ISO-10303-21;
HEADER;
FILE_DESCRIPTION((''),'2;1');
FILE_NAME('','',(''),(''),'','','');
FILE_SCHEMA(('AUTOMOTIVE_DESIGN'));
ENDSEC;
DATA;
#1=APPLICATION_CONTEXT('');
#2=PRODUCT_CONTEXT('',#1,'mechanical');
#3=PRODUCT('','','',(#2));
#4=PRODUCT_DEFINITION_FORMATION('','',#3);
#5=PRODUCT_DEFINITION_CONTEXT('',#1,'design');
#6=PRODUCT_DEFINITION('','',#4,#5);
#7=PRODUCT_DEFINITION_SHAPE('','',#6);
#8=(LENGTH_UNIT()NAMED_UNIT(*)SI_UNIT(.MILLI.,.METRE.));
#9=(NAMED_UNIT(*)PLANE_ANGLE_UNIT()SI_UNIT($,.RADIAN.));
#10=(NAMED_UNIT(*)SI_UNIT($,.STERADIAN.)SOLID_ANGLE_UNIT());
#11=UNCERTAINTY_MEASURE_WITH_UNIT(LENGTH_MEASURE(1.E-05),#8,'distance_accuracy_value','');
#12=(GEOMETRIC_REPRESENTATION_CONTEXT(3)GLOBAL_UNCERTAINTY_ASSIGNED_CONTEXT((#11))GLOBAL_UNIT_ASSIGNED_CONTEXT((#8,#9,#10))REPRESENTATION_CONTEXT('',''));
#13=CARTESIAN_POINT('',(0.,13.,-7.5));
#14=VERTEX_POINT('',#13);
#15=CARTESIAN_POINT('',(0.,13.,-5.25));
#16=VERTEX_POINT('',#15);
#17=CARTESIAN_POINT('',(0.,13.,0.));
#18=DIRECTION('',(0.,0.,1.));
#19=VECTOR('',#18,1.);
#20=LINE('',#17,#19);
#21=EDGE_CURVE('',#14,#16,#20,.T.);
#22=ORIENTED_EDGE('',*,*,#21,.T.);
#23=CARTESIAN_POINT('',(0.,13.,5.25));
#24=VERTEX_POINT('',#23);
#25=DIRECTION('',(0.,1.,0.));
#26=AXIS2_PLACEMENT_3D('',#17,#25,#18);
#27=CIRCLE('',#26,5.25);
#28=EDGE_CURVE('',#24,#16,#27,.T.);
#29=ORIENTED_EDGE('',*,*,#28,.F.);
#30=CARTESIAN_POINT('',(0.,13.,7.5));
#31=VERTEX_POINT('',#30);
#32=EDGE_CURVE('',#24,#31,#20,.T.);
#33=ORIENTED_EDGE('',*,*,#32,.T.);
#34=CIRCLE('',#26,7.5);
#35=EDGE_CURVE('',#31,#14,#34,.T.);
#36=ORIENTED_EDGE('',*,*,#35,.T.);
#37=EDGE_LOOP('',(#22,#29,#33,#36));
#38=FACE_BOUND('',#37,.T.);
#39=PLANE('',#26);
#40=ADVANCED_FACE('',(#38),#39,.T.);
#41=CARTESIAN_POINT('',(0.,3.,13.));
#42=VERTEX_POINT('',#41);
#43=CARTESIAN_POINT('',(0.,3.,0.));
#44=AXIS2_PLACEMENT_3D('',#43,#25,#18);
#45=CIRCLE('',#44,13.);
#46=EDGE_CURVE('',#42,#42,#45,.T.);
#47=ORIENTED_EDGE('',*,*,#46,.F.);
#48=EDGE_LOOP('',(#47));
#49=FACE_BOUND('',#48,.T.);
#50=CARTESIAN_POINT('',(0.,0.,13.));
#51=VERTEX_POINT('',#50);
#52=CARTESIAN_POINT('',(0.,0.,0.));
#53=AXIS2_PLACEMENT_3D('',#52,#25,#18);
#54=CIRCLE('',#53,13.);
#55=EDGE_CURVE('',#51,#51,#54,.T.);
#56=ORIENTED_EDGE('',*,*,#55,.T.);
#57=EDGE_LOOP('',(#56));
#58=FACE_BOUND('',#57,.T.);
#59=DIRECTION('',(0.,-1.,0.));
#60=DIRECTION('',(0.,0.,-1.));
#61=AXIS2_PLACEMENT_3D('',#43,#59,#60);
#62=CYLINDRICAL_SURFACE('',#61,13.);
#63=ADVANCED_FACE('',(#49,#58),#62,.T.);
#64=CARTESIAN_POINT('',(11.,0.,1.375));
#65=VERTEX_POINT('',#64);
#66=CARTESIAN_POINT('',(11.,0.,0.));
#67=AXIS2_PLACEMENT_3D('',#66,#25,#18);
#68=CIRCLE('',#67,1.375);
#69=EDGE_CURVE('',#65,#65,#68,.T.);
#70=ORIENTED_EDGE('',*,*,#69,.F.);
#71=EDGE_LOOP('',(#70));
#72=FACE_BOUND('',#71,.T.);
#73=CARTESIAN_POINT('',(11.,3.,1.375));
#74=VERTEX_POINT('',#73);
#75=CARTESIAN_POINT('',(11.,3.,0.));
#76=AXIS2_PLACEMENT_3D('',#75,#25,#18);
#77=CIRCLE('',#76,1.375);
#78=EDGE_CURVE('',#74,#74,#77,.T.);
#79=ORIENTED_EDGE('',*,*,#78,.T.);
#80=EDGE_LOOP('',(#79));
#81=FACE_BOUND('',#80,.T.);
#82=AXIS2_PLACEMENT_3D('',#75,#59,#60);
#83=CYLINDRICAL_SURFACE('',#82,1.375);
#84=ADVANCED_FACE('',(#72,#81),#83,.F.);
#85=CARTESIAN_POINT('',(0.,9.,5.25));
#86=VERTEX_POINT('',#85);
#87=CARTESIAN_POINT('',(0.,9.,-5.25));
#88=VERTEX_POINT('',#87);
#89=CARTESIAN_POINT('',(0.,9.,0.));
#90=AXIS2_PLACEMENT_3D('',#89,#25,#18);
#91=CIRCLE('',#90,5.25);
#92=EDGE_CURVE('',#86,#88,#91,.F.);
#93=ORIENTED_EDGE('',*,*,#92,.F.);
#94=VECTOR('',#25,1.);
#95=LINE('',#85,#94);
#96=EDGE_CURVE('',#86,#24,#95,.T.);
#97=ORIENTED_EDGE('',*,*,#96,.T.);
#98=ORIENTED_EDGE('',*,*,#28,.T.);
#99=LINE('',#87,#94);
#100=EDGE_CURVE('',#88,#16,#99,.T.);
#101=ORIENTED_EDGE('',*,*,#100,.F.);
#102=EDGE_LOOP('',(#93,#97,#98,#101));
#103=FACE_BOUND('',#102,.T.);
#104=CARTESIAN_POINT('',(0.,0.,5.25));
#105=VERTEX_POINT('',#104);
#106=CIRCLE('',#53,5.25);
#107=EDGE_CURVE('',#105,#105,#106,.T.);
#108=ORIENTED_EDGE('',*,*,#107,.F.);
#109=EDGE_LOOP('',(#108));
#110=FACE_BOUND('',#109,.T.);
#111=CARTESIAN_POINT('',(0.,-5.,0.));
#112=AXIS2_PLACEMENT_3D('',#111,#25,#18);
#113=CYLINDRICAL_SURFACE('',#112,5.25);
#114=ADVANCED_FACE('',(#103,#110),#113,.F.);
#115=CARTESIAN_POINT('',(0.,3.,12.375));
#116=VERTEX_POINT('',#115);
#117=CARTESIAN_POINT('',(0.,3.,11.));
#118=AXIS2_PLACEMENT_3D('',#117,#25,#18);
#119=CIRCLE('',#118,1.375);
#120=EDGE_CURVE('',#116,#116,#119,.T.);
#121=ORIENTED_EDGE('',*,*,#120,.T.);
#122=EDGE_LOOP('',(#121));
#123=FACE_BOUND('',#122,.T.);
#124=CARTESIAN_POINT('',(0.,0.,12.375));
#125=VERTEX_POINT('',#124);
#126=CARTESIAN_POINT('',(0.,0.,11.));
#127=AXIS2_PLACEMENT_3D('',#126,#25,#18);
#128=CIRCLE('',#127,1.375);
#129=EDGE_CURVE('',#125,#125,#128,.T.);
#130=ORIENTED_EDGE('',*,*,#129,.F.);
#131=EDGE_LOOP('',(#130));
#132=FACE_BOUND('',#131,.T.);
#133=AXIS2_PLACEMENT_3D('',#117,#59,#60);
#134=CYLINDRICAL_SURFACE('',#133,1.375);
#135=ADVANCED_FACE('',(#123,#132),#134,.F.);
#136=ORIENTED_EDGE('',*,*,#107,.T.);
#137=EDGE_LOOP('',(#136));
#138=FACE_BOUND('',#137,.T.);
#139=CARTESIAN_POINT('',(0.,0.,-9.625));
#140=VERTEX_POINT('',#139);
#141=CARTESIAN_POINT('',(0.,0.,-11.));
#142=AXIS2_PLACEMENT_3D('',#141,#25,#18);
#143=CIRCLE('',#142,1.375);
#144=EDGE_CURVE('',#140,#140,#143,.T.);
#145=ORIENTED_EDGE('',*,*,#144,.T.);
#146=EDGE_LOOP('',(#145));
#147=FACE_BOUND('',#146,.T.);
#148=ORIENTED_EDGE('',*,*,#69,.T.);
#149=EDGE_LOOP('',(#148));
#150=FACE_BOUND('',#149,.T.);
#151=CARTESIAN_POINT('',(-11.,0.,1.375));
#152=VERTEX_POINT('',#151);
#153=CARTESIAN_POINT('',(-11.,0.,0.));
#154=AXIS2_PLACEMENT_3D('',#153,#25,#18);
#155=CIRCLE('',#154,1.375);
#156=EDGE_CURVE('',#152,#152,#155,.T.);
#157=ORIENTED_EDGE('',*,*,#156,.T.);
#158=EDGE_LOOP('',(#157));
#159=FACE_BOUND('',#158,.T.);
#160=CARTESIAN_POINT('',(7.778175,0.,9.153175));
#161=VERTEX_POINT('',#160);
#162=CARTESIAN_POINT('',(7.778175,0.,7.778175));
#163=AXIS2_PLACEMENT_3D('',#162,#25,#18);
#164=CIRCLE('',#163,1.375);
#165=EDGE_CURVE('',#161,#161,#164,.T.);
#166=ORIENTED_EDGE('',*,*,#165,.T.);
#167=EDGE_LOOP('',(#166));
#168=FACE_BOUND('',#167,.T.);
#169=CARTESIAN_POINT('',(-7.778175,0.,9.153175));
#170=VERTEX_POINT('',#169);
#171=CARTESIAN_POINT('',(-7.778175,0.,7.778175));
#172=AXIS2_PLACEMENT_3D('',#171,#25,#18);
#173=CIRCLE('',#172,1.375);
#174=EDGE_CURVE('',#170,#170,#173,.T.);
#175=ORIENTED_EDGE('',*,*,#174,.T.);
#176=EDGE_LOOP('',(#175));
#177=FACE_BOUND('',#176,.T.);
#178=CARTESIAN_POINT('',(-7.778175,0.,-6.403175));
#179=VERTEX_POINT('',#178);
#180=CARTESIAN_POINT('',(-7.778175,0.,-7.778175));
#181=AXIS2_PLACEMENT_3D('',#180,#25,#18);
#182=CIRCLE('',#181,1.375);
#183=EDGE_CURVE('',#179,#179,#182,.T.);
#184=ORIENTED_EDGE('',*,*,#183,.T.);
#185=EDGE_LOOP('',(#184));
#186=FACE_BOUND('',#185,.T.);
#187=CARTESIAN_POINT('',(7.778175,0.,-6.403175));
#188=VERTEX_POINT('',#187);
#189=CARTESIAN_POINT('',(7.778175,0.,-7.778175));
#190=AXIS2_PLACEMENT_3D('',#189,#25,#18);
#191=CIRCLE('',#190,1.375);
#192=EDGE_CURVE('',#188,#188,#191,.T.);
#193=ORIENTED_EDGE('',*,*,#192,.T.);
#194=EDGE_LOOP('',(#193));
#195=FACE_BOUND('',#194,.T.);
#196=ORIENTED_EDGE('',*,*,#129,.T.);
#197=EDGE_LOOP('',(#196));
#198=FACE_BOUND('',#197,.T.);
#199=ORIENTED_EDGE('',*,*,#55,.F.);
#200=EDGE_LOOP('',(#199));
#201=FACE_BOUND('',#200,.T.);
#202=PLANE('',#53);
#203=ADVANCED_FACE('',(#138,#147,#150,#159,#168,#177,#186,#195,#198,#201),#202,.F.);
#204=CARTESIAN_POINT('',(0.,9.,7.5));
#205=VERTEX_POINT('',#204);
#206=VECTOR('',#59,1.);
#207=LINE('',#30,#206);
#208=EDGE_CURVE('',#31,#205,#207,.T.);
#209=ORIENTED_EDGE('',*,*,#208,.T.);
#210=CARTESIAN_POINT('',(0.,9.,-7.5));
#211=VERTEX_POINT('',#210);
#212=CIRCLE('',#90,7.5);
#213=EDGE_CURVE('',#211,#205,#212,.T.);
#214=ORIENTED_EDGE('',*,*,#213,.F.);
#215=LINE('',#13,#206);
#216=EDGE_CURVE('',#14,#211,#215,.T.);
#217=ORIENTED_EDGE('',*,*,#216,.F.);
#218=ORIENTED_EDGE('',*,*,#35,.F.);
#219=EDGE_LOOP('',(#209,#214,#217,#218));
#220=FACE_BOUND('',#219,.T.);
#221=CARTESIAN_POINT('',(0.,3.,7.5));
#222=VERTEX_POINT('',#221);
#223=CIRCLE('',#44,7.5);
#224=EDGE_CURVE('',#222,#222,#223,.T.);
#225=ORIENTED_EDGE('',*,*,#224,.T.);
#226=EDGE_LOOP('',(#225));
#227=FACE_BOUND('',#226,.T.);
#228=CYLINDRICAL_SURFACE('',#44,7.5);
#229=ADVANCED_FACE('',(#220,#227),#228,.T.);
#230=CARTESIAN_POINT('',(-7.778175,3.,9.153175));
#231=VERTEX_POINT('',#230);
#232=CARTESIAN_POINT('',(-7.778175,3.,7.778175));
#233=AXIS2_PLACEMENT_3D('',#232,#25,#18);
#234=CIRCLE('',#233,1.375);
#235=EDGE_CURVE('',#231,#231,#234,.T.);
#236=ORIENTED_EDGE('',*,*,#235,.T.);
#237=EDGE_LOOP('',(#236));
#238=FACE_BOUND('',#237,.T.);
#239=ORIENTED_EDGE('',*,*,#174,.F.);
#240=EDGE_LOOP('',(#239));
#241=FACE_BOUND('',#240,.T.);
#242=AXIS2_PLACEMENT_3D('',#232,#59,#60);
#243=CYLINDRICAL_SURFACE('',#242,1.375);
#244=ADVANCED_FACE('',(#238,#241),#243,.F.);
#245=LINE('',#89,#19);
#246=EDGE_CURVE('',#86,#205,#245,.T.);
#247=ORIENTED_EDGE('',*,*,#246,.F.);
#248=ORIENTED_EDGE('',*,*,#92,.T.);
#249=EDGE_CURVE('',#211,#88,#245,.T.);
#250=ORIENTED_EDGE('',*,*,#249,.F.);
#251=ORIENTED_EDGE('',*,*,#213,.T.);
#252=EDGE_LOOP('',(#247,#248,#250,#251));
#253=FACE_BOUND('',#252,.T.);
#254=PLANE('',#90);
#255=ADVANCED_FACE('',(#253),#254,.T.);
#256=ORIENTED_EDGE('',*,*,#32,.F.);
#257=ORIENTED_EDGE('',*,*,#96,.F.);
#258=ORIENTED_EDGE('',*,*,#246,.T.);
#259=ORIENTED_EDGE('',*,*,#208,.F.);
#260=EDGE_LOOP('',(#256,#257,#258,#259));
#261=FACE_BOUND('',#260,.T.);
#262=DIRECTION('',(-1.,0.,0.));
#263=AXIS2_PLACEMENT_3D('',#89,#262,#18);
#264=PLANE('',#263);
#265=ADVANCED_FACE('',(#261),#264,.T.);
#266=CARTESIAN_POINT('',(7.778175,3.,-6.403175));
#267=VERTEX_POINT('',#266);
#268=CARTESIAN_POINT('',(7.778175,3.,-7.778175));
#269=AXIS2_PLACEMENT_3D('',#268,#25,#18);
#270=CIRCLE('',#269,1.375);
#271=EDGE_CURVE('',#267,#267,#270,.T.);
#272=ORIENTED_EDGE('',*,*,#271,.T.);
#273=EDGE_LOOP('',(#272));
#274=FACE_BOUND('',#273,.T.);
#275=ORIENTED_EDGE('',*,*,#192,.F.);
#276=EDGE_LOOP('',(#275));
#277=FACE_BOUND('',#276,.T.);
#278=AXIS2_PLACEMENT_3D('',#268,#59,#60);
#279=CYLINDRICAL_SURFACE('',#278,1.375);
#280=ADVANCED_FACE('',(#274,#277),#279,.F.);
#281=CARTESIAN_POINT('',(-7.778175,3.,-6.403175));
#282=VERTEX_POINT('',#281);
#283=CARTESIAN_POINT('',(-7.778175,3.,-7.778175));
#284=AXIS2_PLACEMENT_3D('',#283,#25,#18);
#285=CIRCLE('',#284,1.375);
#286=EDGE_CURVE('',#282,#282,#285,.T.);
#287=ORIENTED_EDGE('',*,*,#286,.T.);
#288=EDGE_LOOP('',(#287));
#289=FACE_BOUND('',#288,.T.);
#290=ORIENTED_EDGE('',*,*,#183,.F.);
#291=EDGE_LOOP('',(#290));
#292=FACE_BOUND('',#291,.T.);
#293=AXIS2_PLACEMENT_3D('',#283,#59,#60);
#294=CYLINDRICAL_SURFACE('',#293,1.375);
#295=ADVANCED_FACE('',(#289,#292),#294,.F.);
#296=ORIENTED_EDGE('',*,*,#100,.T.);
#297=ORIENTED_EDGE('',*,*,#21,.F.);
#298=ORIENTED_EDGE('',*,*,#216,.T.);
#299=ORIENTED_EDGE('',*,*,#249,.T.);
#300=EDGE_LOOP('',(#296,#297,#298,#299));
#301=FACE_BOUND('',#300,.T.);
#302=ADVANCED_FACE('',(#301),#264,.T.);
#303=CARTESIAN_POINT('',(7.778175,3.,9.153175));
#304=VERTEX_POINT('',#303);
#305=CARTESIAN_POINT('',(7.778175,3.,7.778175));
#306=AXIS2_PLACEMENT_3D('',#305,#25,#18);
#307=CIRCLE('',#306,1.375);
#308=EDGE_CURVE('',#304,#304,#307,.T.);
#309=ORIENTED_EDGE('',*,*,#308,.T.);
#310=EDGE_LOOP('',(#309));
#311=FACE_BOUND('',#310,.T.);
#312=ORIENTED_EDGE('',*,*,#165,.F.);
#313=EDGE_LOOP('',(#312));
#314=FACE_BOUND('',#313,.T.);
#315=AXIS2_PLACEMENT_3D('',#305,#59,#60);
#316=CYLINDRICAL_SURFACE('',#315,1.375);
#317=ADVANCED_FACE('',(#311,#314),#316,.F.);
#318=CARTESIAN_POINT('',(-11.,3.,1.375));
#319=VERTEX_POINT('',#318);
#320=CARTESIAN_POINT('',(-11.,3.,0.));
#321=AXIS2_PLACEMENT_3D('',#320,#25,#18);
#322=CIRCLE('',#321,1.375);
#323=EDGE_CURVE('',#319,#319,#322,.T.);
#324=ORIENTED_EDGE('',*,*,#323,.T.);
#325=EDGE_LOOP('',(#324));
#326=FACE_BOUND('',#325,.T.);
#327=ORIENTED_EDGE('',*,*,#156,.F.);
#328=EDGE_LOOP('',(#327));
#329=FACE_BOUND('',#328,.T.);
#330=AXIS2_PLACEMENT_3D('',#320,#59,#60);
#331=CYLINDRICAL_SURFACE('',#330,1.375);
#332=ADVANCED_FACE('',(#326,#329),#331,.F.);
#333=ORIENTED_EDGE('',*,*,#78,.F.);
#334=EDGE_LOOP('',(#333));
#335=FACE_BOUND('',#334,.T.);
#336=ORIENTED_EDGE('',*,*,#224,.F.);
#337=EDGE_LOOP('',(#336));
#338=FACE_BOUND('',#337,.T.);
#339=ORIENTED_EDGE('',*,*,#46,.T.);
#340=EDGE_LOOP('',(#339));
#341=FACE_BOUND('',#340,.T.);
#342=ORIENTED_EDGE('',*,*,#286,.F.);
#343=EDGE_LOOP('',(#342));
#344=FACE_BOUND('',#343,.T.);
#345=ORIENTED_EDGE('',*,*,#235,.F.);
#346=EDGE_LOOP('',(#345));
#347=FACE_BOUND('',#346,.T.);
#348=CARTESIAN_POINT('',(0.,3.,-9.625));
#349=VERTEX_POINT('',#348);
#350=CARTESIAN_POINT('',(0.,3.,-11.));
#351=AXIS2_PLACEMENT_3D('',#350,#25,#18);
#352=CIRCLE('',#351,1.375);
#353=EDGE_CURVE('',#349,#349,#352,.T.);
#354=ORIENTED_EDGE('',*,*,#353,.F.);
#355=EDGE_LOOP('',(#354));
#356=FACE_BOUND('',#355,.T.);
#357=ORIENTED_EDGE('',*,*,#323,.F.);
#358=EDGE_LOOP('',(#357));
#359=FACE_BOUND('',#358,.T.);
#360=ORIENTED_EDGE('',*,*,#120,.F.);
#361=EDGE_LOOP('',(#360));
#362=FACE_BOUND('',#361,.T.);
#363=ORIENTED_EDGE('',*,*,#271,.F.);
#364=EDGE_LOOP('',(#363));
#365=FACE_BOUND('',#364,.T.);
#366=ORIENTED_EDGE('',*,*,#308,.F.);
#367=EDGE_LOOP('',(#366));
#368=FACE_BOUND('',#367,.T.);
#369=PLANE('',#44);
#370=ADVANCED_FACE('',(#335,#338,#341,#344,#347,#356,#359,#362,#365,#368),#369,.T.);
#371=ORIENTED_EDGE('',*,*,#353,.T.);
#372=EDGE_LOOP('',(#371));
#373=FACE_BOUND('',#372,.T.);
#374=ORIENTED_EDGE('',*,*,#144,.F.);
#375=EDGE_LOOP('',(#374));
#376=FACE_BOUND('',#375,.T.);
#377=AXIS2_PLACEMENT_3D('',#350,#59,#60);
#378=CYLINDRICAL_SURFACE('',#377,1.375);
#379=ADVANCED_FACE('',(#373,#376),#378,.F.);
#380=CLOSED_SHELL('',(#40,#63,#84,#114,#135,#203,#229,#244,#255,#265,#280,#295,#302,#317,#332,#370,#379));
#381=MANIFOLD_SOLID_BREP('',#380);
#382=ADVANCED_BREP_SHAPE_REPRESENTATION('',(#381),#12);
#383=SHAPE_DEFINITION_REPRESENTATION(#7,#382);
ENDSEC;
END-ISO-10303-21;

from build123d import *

# Parameters (mm, degrees)
SKETCH1_R           = 13
SKETCH1_R_2         = 1.375
SKETCH1_R_3         = 5
BOSS_EXTRUDE1_DEPTH = 3
SKETCH2_R           = 7.5
SKETCH2_R_2         = 5
BOSS_EXTRUDE2_DEPTH = 10
SKETCH3_R           = 5.25
CUT_EXTRUDE1_DEPTH  = 18
CUT_EXTRUDE2_DEPTH  = 4
CUT_EXTRUDE3_START  = -10
SKETCH5_R           = 7.5
SKETCH5_R_2         = 7.45
CUT_EXTRUDE3_DEPTH  = 10
SKETCH6_R           = 7.5
SKETCH6_R_2         = 5.25
BOSS_EXTRUDE3_DEPTH = 6
BOSS_EXTRUDE4_DEPTH = 4


with BuildPart() as part:
    # Sketch1 → Boss-Extrude1 (new body)
    with BuildSketch(Plane(origin=(0, 0, 0), x_dir=(1, 0, 0), z_dir=(0, 1, 0))):
        with Locations(Location((0, 0, 0), (0, 0, 270))):
            Circle(SKETCH1_R)
        with Locations(Location((0, 11, 0), (0, 0, 270))):
            Circle(SKETCH1_R_2, mode=Mode.SUBTRACT)
        with Locations(Location((7.778174593, 7.778174593, 0), (0, 0, 270))):
            Circle(SKETCH1_R_2, mode=Mode.SUBTRACT)
        with Locations(Location((11, 0, 0), (0, 0, 270))):
            Circle(SKETCH1_R_2, mode=Mode.SUBTRACT)
        with Locations(Location((7.778174593, -7.778174593, 0), (0, 0, 270))):
            Circle(SKETCH1_R_2, mode=Mode.SUBTRACT)
        with Locations(Location((0, -11, 0), (0, 0, 270))):
            Circle(SKETCH1_R_2, mode=Mode.SUBTRACT)
        with Locations(Location((-7.778174593, -7.778174593, 0), (0, 0, 270))):
            Circle(SKETCH1_R_2, mode=Mode.SUBTRACT)
        with Locations(Location((-11, 0, 0), (0, 0, 270))):
            Circle(SKETCH1_R_2, mode=Mode.SUBTRACT)
        with Locations(Location((-7.778174593, 7.778174593, 0), (0, 0, 270))):
            Circle(SKETCH1_R_2, mode=Mode.SUBTRACT)
        with Locations(Location((0, 0, 0), (0, 0, 270))):
            Circle(SKETCH1_R_3, mode=Mode.SUBTRACT)
    extrude(amount=BOSS_EXTRUDE1_DEPTH)

    # Sketch2 → Boss-Extrude2 (add)
    with BuildSketch(Plane(origin=(0, 3, 0), x_dir=(1, 0, 0), z_dir=(0, 1, 0))):
        with Locations(Location((0, 0, 0), (0, 0, 270))):
            Circle(SKETCH2_R)
        with Locations(Location((0, 0, 0), (0, 0, 270))):
            Circle(SKETCH2_R_2, mode=Mode.SUBTRACT)
    extrude(amount=BOSS_EXTRUDE2_DEPTH)

    # Sketch3 → Cut-Extrude1 (cut)
    with BuildSketch(Plane(origin=(0, 13, 0), x_dir=(1, 0, 0), z_dir=(0, 1, 0))):
        with Locations(Location((0, 0, 0), (0, 0, 270))):
            Circle(SKETCH3_R)
    extrude(amount=-CUT_EXTRUDE1_DEPTH, mode=Mode.SUBTRACT)

    # Sketch4 → Cut-Extrude2 (cut)
    with BuildSketch(Plane(origin=(0, 13, 0), x_dir=(1, 0, 0), z_dir=(0, 1, 0))):
        with BuildLine():
            Line((0, 5.25), (0, 7.5))
            ThreePointArc((0, 7.5), (-7.5, 0), (0, -7.5))
            Line((0, -7.5), (0, -5.25))
            ThreePointArc((0, -5.25), (-5.25, 0), (0, 5.25))
        make_face()
    extrude(amount=-CUT_EXTRUDE2_DEPTH, mode=Mode.SUBTRACT)

    # Sketch5 → Cut-Extrude3 (cut)
    with BuildSketch(Plane(origin=(0, 13, 0), x_dir=(1, 0, 0), z_dir=(0, 1, 0)).offset(CUT_EXTRUDE3_START)):
        Circle(SKETCH5_R)
        with Locations(Location((0, 0, 0), (0, 0, 270))):
            Circle(SKETCH5_R_2, mode=Mode.SUBTRACT)
    extrude(amount=CUT_EXTRUDE3_DEPTH, mode=Mode.SUBTRACT)

    # Sketch6 → Boss-Extrude3 (add)
    with BuildSketch(Plane(origin=(0, 9, 0), x_dir=(1, 0, 0), z_dir=(0, 1, 0))):
        with Locations(Location((0, 0, 0), (0, 0, 270))):
            Circle(SKETCH6_R)
        with Locations(Location((0, 0, 0), (0, 0, 270))):
            Circle(SKETCH6_R_2, mode=Mode.SUBTRACT)
    extrude(amount=-BOSS_EXTRUDE3_DEPTH)

    # Sketch7 → Boss-Extrude4 (add)
    with BuildSketch(Plane(origin=(0, 9, 0), x_dir=(1, 0, 0), z_dir=(0, 1, 0))):
        with BuildLine():
            ThreePointArc((7.5, 0), (5.303300859, 5.303300859), (0, 7.5))
            Line((0, 7.5), (0, 7.45))
            ThreePointArc((0, 7.45), (5.26794552, 5.26794552), (7.45, 0))
            ThreePointArc((7.45, 0), (5.26794552, -5.26794552), (0, -7.45))
            Line((0, -7.45), (0, -7.5))
            ThreePointArc((0, -7.5), (5.303300859, -5.303300859), (7.5, 0))
        make_face()
    extrude(amount=BOSS_EXTRUDE4_DEPTH)


solid = part.part
